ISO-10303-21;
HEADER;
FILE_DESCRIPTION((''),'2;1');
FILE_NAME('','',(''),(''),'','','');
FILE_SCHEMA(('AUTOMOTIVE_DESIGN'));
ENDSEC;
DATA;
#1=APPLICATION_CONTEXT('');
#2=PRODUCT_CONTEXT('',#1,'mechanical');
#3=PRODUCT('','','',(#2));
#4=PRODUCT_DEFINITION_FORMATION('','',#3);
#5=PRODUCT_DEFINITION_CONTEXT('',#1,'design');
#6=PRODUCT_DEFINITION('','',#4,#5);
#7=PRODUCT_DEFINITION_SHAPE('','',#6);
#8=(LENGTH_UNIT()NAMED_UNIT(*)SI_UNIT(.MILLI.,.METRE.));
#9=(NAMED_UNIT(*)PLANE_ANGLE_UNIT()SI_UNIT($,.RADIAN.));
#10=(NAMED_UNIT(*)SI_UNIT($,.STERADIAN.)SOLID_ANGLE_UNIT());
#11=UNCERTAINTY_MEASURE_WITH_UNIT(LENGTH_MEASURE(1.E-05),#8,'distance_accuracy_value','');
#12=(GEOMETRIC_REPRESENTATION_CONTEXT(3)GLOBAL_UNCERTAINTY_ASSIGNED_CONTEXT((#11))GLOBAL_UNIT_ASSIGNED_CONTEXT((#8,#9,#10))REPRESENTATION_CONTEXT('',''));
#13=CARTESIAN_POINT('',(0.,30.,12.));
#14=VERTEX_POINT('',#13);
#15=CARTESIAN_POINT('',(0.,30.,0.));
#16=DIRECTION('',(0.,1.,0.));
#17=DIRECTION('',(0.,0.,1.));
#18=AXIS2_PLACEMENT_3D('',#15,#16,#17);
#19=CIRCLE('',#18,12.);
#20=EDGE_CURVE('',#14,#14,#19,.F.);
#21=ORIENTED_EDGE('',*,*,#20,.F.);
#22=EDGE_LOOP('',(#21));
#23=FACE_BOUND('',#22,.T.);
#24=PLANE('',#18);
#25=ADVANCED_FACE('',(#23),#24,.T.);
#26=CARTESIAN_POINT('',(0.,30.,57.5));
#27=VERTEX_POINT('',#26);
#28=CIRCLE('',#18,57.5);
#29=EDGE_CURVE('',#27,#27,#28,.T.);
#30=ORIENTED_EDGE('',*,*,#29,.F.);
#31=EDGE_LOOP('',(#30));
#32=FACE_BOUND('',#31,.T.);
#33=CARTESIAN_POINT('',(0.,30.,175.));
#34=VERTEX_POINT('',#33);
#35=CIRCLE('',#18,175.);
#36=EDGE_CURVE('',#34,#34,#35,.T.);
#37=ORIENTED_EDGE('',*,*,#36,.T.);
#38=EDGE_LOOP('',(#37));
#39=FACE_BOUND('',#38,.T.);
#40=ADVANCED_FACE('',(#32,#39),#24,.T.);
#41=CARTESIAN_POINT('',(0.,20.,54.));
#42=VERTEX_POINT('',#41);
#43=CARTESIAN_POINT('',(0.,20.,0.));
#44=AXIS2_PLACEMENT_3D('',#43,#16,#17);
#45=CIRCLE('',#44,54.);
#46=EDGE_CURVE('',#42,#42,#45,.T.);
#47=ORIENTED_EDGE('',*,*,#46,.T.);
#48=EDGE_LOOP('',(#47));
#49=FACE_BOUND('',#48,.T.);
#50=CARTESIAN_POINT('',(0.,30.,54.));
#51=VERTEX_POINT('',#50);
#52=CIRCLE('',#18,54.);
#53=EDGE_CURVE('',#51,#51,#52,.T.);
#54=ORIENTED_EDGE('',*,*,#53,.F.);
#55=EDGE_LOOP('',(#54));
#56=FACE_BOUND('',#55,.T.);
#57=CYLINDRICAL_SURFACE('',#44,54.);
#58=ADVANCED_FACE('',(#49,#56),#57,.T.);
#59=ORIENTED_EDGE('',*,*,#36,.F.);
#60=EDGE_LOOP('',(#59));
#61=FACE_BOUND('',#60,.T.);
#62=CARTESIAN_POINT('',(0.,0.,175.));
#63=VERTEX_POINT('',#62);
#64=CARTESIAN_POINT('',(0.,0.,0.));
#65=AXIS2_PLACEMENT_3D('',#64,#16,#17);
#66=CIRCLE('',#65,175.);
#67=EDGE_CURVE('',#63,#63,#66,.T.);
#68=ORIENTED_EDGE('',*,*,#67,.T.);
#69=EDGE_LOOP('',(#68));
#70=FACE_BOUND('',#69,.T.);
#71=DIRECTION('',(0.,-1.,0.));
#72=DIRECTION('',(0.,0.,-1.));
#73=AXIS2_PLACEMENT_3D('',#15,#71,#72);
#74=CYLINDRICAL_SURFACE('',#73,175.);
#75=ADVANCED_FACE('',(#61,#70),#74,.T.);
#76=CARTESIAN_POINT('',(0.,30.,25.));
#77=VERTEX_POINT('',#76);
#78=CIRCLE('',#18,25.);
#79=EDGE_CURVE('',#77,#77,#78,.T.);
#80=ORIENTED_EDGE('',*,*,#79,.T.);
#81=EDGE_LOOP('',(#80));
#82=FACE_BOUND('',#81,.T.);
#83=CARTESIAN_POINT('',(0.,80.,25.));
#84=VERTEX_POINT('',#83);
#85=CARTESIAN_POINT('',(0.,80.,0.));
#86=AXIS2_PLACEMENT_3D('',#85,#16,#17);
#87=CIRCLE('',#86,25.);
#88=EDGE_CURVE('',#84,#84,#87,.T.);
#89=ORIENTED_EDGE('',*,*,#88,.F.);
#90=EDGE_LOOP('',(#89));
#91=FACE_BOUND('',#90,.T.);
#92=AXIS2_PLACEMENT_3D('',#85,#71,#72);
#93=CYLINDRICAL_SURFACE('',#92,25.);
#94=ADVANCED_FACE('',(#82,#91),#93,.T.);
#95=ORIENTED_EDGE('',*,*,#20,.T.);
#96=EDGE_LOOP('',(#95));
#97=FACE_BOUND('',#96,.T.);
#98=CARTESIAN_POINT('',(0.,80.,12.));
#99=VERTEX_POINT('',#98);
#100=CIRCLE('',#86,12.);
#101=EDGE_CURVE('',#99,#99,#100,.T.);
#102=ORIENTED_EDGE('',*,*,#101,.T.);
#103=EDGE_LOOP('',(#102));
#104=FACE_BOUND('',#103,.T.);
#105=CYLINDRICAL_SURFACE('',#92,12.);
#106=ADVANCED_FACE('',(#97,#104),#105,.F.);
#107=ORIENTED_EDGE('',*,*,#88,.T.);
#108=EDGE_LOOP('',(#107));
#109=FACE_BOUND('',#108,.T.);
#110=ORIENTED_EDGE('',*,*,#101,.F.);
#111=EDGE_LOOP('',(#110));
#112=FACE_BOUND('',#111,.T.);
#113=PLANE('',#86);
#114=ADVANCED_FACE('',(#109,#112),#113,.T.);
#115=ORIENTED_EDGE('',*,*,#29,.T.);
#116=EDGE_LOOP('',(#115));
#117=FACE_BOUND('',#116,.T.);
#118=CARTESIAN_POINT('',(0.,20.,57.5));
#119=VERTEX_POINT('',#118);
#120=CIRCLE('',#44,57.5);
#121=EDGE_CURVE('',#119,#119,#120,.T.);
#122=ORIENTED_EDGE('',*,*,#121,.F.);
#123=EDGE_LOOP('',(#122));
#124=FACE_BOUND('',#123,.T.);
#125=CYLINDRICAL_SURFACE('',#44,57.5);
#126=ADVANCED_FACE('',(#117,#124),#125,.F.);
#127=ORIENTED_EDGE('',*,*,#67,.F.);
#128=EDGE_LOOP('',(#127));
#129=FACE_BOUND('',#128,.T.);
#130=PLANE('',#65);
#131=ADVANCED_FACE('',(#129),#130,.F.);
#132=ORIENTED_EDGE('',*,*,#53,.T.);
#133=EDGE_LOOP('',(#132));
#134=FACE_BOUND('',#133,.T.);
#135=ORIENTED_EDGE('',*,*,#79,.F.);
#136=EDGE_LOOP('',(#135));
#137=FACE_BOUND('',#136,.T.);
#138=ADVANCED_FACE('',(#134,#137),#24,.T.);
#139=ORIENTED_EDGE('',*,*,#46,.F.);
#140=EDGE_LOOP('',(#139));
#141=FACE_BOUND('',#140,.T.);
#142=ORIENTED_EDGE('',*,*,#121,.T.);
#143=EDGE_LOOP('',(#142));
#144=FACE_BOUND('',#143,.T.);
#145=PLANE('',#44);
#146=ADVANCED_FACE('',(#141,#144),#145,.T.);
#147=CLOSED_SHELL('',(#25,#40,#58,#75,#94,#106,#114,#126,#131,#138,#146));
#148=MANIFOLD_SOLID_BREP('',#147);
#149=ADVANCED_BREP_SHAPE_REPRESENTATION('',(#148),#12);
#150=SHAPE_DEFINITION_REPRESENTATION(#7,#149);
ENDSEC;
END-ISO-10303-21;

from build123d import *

# Parameters (mm, degrees)
SKETCH1_R           = 175
BOSS_EXTRUDE1_DEPTH = 30
SKETCH2_R           = 25
SKETCH2_R_2         = 12
BOSS_EXTRUDE2_DEPTH = 50
SKETCH3_R           = 57.5
SKETCH3_R_2         = 54
CUT_EXTRUDE1_DEPTH  = 10


with BuildPart() as part:
    # Sketch1 → Boss-Extrude1 (new body)
    with BuildSketch(Plane(origin=(0, 0, 0), x_dir=(1, 0, 0), z_dir=(0, 1, 0))):
        with Locations(Location((0, 0, 0), (0, 0, 270))):
            Circle(SKETCH1_R)
    extrude(amount=BOSS_EXTRUDE1_DEPTH)

    # Sketch2 → Boss-Extrude2 (add)
    with BuildSketch(Plane(origin=(0, 30, 0), x_dir=(1, 0, 0), z_dir=(0, 1, 0))):
        with Locations(Location((0, 0, 0), (0, 0, 270))):
            Circle(SKETCH2_R)
        with Locations(Location((0, 0, 0), (0, 0, 270))):
            Circle(SKETCH2_R_2, mode=Mode.SUBTRACT)
    extrude(amount=BOSS_EXTRUDE2_DEPTH)

    # Sketch3 → Cut-Extrude1 (cut)
    with BuildSketch(Plane(origin=(0, 30, 0), x_dir=(1, 0, 0), z_dir=(0, 1, 0))):
        with Locations(Location((0, 0, 0), (0, 0, 270))):
            Circle(SKETCH3_R)
        with Locations(Location((0, 0, 0), (0, 0, 270))):
            Circle(SKETCH3_R_2, mode=Mode.SUBTRACT)
    extrude(amount=-CUT_EXTRUDE1_DEPTH, mode=Mode.SUBTRACT)


solid = part.part
